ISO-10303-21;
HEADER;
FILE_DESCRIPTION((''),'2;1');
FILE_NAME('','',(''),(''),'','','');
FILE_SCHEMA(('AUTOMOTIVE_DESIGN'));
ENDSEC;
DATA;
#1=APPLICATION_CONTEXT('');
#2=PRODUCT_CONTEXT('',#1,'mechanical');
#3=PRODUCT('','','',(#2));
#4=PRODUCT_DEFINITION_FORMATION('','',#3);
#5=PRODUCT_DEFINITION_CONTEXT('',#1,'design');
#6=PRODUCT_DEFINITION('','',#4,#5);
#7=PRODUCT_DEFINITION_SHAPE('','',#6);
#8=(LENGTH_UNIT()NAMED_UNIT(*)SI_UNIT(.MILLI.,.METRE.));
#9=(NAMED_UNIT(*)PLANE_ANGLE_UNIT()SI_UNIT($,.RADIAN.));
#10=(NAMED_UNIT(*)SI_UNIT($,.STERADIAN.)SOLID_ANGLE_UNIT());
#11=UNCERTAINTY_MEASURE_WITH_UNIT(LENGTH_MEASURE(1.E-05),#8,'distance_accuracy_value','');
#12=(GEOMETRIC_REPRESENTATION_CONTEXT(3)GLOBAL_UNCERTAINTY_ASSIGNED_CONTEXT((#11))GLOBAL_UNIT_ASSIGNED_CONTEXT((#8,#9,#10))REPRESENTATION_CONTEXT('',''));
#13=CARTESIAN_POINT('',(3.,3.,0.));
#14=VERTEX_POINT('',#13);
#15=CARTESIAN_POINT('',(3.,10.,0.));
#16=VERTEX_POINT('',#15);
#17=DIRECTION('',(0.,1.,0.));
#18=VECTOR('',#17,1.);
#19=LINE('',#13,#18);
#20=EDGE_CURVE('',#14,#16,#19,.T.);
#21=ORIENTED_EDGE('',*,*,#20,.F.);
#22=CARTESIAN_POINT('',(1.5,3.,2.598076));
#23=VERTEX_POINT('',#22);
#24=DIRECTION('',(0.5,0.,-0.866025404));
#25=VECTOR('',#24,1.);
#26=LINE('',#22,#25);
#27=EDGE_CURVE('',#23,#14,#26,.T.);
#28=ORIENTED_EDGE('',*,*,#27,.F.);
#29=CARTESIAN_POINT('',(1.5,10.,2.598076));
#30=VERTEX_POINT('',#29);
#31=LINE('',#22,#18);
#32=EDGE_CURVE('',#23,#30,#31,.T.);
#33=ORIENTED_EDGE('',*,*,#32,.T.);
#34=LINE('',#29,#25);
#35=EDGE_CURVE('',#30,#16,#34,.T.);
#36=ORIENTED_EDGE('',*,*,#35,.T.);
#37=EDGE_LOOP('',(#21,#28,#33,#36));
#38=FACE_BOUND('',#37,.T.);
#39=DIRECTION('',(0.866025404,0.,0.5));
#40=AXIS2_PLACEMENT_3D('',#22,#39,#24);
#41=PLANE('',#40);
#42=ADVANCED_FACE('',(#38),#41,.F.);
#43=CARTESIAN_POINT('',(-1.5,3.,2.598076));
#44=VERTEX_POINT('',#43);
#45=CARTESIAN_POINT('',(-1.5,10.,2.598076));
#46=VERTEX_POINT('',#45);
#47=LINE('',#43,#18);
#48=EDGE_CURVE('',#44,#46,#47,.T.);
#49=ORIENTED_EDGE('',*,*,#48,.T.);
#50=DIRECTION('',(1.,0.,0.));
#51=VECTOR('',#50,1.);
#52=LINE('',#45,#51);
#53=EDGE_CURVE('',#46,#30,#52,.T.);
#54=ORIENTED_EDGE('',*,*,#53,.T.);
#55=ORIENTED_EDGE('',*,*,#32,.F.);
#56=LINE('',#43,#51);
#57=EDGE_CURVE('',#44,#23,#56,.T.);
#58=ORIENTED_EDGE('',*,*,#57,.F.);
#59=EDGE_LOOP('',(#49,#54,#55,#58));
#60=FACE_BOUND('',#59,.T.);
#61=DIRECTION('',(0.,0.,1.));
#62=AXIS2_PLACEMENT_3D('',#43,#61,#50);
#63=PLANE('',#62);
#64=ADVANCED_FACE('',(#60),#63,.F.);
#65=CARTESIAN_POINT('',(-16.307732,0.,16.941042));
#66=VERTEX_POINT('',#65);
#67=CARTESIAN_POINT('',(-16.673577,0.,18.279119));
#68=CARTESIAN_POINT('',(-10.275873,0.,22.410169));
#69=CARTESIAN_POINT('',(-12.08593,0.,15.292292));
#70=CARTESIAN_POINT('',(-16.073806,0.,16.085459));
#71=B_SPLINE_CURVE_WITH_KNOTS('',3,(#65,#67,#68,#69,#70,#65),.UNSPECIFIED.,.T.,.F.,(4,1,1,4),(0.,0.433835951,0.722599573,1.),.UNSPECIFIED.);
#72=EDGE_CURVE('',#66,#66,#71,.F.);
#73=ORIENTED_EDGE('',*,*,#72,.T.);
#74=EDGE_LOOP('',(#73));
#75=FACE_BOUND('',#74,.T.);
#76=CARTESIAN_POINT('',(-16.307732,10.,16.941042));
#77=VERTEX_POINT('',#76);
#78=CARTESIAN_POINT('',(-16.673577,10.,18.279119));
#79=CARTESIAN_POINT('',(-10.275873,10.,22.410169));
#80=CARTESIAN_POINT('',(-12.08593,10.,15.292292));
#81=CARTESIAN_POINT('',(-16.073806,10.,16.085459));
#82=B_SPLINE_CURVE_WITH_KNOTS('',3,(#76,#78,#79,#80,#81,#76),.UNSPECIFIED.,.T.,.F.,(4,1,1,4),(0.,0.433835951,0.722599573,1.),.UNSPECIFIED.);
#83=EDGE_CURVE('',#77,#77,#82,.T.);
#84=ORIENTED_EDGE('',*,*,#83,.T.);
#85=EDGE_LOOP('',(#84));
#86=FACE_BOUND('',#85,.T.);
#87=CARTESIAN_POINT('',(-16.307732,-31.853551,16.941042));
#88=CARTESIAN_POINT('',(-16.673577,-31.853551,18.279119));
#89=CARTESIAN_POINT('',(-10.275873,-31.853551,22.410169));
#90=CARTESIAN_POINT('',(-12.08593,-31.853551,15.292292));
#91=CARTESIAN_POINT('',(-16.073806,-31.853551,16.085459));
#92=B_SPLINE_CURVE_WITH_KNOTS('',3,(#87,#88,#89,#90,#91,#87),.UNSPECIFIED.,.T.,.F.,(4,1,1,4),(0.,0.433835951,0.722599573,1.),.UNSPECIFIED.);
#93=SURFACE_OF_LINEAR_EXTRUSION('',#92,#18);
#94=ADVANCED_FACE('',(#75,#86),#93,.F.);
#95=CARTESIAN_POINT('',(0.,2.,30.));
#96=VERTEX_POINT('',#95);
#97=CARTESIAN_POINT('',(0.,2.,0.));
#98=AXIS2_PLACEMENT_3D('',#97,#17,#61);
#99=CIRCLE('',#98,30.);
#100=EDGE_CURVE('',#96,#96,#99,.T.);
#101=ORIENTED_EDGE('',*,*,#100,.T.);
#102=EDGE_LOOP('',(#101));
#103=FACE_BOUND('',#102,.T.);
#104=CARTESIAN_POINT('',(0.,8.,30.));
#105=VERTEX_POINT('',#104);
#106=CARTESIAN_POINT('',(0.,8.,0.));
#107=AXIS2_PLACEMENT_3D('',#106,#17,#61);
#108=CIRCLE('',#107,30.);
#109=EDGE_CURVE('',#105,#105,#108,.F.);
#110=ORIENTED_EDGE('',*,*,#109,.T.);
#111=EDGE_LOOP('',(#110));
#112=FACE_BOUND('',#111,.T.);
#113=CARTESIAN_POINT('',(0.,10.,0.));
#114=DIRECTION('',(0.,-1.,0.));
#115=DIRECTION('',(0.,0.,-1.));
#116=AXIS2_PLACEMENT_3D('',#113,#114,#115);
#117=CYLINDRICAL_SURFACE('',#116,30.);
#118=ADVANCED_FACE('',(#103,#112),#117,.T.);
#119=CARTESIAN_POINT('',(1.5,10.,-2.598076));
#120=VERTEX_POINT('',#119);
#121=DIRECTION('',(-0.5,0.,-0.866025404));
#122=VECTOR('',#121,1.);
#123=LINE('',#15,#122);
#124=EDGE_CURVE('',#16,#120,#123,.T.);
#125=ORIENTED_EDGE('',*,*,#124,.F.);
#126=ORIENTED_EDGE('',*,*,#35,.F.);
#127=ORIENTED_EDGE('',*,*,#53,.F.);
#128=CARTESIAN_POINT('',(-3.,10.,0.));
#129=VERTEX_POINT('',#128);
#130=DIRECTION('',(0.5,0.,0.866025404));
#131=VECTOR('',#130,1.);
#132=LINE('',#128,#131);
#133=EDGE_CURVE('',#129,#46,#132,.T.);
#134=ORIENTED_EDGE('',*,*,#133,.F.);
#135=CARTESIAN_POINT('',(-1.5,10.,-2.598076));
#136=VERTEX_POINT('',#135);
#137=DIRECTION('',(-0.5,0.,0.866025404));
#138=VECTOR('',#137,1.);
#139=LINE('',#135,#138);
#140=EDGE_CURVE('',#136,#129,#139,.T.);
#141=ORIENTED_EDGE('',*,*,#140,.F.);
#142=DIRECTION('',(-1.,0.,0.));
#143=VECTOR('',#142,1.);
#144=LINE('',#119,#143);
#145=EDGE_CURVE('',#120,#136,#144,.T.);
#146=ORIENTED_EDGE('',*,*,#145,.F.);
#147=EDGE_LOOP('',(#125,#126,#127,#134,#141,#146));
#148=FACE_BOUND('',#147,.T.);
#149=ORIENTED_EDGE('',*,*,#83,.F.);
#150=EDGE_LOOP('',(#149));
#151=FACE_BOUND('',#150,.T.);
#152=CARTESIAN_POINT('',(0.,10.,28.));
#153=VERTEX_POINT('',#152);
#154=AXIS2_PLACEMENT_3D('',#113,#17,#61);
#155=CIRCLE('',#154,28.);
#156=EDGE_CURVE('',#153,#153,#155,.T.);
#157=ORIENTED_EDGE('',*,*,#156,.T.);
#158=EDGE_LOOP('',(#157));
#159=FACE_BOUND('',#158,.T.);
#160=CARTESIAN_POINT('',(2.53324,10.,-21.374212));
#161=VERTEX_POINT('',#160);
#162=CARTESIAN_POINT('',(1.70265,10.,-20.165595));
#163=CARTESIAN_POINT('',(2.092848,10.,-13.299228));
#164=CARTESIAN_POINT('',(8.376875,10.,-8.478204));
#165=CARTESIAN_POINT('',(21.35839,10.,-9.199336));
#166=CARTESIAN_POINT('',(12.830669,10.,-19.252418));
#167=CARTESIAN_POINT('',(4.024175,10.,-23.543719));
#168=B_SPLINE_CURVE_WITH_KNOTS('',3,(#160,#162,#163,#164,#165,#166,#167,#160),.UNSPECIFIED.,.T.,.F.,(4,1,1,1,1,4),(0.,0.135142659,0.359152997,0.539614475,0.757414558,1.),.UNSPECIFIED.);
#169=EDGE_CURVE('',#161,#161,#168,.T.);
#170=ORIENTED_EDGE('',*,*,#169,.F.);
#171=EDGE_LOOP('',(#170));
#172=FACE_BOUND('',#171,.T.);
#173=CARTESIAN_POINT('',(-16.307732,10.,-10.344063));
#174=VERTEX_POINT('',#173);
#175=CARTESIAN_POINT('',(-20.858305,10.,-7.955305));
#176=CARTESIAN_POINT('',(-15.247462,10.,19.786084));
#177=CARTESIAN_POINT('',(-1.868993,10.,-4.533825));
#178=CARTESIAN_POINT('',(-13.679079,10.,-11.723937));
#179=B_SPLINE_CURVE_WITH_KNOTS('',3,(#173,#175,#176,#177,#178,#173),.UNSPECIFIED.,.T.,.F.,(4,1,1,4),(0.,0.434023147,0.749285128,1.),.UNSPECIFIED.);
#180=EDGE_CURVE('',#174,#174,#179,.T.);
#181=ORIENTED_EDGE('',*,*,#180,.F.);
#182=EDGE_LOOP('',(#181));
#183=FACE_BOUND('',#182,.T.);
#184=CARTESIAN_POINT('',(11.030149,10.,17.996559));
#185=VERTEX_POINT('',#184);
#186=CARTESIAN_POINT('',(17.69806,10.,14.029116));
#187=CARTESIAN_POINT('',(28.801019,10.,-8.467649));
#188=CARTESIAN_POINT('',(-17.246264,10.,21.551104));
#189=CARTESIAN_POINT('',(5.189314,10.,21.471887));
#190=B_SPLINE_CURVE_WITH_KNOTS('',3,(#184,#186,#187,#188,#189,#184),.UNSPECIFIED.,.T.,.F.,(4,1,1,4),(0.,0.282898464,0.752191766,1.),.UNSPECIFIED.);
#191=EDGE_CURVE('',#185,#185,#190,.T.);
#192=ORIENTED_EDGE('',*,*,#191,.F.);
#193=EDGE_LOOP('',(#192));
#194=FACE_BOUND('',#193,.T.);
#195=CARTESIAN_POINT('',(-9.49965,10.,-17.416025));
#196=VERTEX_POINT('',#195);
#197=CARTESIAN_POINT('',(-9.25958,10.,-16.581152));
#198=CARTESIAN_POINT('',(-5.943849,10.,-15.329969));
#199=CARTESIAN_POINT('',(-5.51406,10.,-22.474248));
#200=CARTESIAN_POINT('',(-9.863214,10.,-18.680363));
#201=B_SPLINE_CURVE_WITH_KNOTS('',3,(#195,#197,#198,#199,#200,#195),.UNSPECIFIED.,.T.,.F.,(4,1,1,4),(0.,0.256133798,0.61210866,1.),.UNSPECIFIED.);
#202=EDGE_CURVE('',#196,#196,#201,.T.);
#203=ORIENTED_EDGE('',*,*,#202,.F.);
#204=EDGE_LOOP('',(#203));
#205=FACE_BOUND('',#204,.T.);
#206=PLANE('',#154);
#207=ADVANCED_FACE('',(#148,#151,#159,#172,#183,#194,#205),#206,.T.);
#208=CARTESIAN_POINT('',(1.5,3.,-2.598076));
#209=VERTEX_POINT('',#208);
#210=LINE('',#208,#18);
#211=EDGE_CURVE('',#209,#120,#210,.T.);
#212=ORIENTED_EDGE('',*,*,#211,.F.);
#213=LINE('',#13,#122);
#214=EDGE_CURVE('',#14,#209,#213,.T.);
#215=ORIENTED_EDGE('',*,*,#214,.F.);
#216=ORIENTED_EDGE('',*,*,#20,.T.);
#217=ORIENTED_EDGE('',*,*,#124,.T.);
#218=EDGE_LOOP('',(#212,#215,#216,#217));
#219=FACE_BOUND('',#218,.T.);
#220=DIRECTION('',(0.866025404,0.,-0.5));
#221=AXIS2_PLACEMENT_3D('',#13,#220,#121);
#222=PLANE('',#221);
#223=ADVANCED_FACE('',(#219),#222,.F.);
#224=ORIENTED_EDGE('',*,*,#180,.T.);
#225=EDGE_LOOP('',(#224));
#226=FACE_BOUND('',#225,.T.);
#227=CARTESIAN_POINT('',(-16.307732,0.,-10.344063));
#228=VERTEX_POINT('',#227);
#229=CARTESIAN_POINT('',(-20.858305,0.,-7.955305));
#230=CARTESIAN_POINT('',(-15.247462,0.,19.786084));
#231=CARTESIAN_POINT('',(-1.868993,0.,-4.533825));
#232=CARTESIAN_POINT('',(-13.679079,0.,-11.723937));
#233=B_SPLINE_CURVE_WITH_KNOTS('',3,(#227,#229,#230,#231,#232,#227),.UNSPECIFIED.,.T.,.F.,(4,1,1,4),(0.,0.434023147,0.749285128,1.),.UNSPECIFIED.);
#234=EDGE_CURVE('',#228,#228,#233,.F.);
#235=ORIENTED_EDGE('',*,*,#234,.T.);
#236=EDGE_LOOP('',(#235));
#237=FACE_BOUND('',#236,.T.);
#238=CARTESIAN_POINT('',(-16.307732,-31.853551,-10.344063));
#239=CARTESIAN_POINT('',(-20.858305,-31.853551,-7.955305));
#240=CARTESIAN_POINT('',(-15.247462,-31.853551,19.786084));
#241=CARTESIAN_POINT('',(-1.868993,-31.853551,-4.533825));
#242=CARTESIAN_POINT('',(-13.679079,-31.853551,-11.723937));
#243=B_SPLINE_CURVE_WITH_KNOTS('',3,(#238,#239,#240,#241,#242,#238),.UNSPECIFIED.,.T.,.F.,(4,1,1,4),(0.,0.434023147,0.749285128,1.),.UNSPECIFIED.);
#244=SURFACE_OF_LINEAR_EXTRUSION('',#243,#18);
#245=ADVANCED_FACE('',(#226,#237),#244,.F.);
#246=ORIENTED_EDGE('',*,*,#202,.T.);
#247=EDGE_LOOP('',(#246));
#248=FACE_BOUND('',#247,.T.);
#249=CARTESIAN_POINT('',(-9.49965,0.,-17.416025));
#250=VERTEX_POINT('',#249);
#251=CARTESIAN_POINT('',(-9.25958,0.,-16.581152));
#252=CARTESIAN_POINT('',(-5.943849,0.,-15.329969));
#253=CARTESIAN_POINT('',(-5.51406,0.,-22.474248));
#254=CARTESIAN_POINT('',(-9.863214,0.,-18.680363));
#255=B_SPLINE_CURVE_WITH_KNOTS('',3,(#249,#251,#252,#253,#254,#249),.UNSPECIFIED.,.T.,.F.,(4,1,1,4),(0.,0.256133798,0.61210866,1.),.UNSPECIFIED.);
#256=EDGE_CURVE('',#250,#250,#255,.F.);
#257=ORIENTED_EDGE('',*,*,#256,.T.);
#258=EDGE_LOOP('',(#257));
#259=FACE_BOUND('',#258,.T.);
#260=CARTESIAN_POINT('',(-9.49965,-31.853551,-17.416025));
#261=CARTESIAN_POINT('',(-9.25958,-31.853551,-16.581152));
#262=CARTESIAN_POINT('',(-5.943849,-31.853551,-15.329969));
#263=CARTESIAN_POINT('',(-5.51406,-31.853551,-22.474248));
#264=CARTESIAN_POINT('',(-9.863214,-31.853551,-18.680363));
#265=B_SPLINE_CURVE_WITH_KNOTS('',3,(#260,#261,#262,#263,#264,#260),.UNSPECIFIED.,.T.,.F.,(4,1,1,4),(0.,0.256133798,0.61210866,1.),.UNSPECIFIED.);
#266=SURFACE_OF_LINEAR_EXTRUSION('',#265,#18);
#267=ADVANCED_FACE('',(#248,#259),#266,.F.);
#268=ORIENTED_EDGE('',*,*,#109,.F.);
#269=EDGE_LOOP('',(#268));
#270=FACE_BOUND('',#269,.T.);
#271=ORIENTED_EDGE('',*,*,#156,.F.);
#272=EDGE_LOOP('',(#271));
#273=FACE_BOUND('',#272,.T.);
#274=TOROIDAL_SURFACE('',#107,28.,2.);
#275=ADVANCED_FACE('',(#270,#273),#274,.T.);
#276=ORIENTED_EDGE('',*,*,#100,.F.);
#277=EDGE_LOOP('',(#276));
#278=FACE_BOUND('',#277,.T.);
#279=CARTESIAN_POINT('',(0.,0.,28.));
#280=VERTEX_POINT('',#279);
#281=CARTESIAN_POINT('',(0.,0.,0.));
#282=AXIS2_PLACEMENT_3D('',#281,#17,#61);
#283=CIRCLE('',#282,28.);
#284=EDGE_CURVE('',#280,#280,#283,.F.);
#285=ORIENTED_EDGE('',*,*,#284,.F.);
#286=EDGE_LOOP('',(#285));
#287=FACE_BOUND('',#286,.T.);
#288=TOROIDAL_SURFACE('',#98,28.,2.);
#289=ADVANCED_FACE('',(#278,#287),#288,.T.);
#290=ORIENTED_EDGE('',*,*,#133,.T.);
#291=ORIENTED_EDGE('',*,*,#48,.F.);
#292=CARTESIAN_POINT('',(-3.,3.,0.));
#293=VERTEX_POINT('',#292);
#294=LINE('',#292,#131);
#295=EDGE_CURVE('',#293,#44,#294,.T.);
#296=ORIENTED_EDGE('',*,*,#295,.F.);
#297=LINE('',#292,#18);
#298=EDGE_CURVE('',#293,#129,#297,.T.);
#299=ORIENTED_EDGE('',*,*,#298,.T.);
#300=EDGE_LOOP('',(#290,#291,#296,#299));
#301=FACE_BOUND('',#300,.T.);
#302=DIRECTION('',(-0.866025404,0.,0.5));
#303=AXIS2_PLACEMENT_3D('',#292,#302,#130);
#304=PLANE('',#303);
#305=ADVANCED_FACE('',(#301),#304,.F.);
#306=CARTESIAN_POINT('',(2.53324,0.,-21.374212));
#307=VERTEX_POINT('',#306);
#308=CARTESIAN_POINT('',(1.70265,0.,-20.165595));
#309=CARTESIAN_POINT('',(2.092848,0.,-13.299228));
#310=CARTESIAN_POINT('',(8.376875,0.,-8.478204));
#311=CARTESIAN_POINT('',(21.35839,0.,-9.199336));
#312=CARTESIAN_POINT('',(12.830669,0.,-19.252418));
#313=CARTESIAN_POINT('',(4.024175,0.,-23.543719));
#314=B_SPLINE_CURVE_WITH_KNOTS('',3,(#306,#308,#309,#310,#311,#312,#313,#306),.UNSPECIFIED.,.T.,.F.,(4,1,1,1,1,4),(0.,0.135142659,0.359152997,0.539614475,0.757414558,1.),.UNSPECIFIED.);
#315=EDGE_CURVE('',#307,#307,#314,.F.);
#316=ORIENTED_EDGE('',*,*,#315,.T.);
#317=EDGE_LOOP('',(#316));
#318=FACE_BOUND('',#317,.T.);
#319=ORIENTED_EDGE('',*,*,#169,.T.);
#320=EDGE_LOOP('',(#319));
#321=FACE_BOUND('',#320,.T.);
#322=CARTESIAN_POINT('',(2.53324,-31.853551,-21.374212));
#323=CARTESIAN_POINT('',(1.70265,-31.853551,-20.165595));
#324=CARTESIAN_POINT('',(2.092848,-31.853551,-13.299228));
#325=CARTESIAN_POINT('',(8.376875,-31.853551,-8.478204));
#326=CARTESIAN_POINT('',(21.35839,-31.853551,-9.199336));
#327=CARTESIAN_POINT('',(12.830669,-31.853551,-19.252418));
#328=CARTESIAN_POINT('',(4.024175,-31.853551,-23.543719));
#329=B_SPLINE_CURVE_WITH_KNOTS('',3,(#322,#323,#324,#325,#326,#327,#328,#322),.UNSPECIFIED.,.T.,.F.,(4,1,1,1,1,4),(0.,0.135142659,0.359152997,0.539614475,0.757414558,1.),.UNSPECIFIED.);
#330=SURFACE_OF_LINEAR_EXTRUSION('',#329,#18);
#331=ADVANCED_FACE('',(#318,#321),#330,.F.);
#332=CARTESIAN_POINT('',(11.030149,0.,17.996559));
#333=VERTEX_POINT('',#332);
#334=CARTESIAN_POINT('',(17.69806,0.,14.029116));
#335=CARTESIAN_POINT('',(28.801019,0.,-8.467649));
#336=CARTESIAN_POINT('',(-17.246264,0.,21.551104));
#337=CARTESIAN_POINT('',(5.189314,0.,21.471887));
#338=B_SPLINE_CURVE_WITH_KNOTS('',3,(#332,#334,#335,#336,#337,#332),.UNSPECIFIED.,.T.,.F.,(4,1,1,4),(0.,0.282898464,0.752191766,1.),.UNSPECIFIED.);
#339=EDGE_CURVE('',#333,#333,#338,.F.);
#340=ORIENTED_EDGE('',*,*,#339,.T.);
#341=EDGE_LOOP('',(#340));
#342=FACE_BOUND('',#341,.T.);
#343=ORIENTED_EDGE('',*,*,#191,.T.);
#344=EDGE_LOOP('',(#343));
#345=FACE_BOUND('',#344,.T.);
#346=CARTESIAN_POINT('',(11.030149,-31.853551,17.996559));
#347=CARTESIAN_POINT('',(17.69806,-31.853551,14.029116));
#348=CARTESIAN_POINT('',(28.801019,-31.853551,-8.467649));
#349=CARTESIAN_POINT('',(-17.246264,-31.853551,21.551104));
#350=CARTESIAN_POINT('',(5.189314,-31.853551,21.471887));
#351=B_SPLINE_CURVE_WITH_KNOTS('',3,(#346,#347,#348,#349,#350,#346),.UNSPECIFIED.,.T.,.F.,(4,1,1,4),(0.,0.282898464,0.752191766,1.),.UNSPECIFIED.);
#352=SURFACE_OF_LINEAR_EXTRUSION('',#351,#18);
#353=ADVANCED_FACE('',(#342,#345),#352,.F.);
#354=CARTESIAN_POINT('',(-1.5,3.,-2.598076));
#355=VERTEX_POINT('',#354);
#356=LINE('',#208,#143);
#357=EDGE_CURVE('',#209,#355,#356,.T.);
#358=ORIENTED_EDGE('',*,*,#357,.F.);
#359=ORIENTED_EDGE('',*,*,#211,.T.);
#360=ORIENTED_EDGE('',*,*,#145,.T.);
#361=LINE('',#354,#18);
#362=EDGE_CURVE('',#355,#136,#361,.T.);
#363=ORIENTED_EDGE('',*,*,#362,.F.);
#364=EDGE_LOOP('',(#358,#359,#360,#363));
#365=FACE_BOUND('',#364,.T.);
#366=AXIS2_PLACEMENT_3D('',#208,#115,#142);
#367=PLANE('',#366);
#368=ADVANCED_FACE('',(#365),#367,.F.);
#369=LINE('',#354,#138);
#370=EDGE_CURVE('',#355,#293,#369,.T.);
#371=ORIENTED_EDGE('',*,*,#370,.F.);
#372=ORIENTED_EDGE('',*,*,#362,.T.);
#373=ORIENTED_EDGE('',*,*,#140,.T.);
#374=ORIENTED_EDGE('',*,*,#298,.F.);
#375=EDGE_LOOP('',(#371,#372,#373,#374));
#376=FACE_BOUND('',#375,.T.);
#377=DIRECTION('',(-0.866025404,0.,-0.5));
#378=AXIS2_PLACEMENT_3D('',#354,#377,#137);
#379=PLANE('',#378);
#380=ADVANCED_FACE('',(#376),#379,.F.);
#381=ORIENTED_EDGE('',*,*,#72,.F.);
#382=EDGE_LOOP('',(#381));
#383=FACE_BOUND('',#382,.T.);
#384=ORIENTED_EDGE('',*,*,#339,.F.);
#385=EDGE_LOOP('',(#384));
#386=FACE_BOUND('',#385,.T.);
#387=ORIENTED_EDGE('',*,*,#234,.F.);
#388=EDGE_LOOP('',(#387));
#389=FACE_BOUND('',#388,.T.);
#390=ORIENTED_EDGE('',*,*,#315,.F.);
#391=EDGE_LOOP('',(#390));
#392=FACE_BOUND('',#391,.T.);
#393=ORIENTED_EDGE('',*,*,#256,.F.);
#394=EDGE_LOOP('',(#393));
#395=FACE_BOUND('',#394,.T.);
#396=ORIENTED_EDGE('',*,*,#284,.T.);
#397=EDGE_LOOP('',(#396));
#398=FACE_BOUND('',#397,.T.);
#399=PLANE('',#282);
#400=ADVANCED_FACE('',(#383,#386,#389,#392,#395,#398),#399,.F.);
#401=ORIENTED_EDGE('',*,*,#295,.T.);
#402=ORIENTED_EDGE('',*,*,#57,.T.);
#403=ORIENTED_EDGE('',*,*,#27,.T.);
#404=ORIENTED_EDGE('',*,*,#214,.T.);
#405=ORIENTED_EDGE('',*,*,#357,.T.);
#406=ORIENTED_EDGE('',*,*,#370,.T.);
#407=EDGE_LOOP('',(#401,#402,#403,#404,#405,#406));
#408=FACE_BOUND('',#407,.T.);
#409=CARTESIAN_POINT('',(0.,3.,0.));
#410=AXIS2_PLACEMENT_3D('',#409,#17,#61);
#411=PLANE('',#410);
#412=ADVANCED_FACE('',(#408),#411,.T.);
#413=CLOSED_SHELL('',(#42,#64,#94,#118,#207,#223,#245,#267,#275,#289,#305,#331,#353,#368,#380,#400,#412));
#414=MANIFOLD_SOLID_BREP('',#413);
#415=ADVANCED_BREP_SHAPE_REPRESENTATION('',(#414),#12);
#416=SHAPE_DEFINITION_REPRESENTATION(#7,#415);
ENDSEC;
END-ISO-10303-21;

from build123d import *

# Parameters (mm, degrees)
SKETCH1_R           = 30
BOSS_EXTRUDE1_DEPTH = 10
CUT_EXTRUDE1_DEPTH  = 7
FILLET1_R           = 2
CUT_EXTRUDE2_DEPTH  = 10


with BuildPart() as part:
    # Sketch1 → Boss-Extrude1 (new body)
    with BuildSketch(Plane(origin=(0, 0, 0), x_dir=(1, 0, 0), z_dir=(0, 1, 0))):
        with Locations(Location((0, 0, 0), (0, 0, 270))):
            Circle(SKETCH1_R)
    extrude(amount=BOSS_EXTRUDE1_DEPTH)

    # Sketch2 → Cut-Extrude1 (cut)
    with BuildSketch(Plane(origin=(0, 10, 0), x_dir=(1, 0, 0), z_dir=(0, 1, 0))):
        Polygon((1.5, -2.598076211), (3, 0), (1.5, 2.598076211), (-1.5, 2.598076211), (-3, 0), (-1.5, -2.598076211), align=None)
    extrude(amount=-CUT_EXTRUDE1_DEPTH, mode=Mode.SUBTRACT)

    # Fillet1
    fillet1_edges = [part.edges().sort_by_distance(p)[0] for p in [
        (0, 0, -30),
        (0, 10, -30),
    ]]
    fillet(fillet1_edges, radius=FILLET1_R)

    # Sketch3 → Cut-Extrude2 (cut)
    with BuildSketch(Plane(origin=(0, 10, 0), x_dir=(1, 0, 0), z_dir=(0, 1, 0))):
        with BuildLine():
            add(Edge.make_bspline(
                [(-16.307732363, 10.344063247), (-20.858304808, 7.955304571), (-15.247461525, -19.786083503), (-1.86899315, 4.533824594), (-13.679079495, 11.72393741), (-16.307732363, 10.344063247)],
                knots=[0, 0, 0, 0, 0.434023147, 0.749285128, 1, 1, 1, 1], degree=3))
        make_face()
        with BuildLine():
            add(Edge.make_bspline(
                [(11.030149074, -17.996559016), (17.698059776, -14.029116362), (28.801019424, 8.467649404), (-17.246263742, -21.551104151), (5.189314319, -21.471887043), (11.030149074, -17.996559016)],
                knots=[0, 0, 0, 0, 0.282898464, 0.752191766, 1, 1, 1, 1], degree=3))
        make_face()
        with BuildLine():
            add(Edge.make_bspline(
                [(2.533239979, 21.374212321), (4.02417516, 23.543719172), (12.830669115, 19.252417996), (21.358390269, 9.199335639), (8.376874504, 8.478204161), (2.09284829, 13.299227863), (1.70265038, 20.165595174), (2.533239979, 21.374212321)],
                knots=[0, 0, 0, 0, 0.242585442, 0.460385525, 0.640847003, 0.864857341, 1, 1, 1, 1], degree=3))
        make_face()
        with BuildLine():
            add(Edge.make_bspline(
                [(-9.49964992, 17.416024854), (-9.259580028, 16.581152381), (-5.943848627, 15.329968774), (-5.514059513, 22.474247598), (-9.863213937, 18.680363277), (-9.49964992, 17.416024854)],
                knots=[0, 0, 0, 0, 0.256133798, 0.61210866, 1, 1, 1, 1], degree=3))
        make_face()
        with BuildLine():
            add(Edge.make_bspline(
                [(-16.307732363, -16.941042358), (-16.673577152, -18.279118788), (-10.275872625, -22.410169383), (-12.085929557, -15.292292342), (-16.073806381, -16.085458646), (-16.307732363, -16.941042358)],
                knots=[0, 0, 0, 0, 0.433835951, 0.722599573, 1, 1, 1, 1], degree=3))
        make_face()
    extrude(amount=-CUT_EXTRUDE2_DEPTH, mode=Mode.SUBTRACT)


solid = part.part
